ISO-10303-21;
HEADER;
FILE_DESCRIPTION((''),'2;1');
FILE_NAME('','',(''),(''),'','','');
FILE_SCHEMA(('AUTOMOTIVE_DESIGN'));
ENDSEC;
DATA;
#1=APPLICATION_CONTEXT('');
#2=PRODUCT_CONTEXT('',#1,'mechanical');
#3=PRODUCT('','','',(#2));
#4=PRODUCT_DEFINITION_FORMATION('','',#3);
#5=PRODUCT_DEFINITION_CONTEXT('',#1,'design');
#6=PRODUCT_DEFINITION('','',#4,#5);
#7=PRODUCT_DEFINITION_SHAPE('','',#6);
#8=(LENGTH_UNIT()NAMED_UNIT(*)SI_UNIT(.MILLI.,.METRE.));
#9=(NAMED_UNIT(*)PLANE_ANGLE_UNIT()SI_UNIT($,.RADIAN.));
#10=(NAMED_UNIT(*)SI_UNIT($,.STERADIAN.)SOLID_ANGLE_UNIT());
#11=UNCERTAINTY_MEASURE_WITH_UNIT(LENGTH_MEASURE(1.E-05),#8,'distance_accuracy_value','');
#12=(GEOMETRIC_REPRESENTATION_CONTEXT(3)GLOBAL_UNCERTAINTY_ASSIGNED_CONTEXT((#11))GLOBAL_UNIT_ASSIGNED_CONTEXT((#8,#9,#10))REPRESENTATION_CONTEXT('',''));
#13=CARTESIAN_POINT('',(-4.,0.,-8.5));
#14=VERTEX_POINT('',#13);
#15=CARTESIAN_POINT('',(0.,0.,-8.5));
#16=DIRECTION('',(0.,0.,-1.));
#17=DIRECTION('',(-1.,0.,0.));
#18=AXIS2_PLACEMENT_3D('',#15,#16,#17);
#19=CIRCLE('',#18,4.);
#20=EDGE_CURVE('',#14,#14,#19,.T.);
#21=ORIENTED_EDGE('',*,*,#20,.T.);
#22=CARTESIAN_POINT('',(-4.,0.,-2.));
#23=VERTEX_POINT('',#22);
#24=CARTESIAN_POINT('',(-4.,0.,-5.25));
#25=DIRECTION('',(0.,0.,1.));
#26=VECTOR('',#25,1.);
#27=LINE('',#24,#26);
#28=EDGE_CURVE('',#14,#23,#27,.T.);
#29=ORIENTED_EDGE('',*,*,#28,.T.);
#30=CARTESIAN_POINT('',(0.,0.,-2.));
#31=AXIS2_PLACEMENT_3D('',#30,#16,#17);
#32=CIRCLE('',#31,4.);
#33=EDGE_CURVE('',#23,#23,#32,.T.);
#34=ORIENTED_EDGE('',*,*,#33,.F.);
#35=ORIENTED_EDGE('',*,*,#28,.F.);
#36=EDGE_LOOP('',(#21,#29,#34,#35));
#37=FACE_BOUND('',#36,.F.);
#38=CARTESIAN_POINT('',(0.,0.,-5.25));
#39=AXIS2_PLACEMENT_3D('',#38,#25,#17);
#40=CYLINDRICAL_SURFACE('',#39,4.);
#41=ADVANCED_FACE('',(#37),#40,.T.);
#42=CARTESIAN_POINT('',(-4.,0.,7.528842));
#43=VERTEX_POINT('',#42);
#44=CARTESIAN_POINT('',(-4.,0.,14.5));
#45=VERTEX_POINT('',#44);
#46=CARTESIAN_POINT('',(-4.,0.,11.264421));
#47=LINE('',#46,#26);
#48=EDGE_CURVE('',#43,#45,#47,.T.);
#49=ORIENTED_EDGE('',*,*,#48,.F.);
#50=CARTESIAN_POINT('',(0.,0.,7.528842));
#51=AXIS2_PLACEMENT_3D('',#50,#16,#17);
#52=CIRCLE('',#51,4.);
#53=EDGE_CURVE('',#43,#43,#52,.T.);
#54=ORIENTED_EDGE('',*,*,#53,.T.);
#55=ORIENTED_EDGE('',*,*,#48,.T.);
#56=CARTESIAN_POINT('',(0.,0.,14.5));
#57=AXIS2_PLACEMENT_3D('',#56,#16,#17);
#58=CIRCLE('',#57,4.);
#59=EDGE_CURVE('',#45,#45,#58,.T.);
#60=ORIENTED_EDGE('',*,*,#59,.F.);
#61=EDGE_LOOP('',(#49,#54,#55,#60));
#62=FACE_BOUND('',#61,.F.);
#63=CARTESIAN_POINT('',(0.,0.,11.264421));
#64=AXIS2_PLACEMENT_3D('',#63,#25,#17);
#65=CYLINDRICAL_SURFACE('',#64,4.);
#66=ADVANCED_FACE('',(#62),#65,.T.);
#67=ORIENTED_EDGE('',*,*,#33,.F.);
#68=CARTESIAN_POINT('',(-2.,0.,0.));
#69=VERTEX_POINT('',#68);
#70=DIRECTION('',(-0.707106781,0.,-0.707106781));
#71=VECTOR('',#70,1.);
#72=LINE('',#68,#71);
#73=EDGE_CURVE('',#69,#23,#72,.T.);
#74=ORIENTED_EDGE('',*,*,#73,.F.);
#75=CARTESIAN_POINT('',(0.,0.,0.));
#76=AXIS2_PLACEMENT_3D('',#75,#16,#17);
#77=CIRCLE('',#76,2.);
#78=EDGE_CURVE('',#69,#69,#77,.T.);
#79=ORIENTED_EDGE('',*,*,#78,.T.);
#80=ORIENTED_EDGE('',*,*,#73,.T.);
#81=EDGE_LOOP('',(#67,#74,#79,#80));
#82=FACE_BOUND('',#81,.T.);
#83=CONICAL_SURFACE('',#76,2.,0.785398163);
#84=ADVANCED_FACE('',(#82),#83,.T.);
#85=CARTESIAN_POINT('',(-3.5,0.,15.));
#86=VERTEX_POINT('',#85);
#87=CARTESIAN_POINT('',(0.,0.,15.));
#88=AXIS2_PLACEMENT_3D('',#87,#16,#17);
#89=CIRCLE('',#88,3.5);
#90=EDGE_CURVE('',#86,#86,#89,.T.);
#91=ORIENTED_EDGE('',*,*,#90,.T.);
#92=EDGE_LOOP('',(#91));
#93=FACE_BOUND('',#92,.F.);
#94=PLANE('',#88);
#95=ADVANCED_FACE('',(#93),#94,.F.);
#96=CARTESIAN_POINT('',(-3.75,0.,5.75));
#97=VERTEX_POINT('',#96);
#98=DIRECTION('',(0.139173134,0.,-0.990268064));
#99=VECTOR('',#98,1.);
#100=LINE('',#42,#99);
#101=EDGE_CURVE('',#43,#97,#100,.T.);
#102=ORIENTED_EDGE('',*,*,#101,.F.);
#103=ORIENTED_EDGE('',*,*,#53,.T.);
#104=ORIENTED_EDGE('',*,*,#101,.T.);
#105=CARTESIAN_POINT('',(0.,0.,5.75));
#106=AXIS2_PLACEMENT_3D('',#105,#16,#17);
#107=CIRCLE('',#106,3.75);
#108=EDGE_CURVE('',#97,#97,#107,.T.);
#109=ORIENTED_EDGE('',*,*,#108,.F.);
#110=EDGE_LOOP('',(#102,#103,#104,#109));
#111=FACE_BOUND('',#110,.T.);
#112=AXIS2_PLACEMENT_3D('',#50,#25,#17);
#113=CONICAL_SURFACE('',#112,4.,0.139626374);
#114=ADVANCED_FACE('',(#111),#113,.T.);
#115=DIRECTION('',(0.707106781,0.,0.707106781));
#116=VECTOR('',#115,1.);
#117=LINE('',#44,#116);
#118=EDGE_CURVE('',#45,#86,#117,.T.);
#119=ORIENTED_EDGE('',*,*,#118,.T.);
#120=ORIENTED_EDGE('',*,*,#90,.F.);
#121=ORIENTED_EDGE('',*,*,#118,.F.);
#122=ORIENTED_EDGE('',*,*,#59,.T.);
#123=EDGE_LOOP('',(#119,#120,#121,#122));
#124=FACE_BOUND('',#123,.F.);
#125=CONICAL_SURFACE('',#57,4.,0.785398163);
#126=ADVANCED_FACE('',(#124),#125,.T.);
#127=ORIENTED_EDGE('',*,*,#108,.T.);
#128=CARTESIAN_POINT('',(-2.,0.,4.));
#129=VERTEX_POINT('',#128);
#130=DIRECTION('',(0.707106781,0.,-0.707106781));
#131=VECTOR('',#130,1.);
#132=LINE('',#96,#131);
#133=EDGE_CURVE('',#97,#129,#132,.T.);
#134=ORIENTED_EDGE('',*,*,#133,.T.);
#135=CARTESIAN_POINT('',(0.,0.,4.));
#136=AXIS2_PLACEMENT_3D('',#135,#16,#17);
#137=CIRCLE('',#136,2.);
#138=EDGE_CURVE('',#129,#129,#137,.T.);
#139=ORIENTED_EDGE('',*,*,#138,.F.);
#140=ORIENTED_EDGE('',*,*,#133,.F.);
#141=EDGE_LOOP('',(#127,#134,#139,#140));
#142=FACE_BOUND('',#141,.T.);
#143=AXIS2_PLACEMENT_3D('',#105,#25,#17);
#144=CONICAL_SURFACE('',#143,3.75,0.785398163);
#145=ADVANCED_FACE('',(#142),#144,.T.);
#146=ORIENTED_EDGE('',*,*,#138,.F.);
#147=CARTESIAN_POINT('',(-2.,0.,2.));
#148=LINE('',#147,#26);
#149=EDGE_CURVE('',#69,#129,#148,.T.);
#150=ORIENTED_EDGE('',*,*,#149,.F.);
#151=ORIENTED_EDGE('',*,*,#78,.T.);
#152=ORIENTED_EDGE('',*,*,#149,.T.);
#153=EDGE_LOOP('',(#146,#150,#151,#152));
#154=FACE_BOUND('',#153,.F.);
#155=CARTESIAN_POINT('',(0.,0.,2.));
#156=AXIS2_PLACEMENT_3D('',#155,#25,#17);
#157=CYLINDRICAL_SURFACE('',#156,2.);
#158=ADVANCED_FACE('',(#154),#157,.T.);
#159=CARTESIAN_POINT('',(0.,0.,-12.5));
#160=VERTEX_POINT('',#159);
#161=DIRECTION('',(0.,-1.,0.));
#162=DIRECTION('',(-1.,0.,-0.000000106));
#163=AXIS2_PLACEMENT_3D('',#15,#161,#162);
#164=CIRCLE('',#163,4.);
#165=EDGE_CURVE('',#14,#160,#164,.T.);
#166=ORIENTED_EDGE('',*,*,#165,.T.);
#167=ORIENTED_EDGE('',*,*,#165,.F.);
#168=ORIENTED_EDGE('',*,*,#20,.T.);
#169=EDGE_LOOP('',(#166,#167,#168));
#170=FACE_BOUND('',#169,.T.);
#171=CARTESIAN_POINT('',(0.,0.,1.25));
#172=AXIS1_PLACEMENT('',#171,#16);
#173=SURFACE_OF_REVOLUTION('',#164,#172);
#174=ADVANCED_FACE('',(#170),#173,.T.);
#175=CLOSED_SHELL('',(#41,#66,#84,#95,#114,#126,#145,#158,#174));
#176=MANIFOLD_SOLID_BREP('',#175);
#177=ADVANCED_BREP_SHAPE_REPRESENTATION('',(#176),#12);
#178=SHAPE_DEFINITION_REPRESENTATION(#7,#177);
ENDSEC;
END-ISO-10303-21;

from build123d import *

# Parameters (mm, degrees)
F0_W     = 4
F0_H     = 7.471158
F0_W_2   = 2
F0_H_2   = 4
F0_H_3   = 6.5
F2_SIZE2 = 0.5
F2_SIZE  = 0.5


with BuildPart() as f1:
    # F0 (on Front) → F1 (revolve)
    with BuildSketch(Plane.XZ):
        with Locations((-2, 11.264421)):
            Rectangle(F0_W, F0_H)
        Polygon((0, 5.75), (0, 7.528842), (-4, 7.528842), (-3.75, 5.75), align=None)
        Polygon((0, 4), (0, 5.75), (-3.75, 5.75), (-2, 4), align=None)
        with Locations((-1, 2)):
            Rectangle(F0_W_2, F0_H_2)
        Polygon((0, -2), (0, 0), (-2, 0), (-4, -2), align=None)
        with Locations((-2, -5.25)):
            Rectangle(F0_W, F0_H_3)
        with BuildLine():
            Line((0, -12.5), (0, -8.5))
            Line((0, -8.5), (-4, -8.5))
            ThreePointArc((-4, -8.5), (-2.828427, -11.328427), (0, -12.5))
        make_face()
    revolve(axis=Axis((0, 0, 1.25), (0, 0, -1)))

    # F2
    f2_edges = [f1.edges().sort_by_distance(p)[0] for p in [
        (4, 0, 15),
    ]]
    chamfer(f2_edges, length=F2_SIZE, length2=F2_SIZE2)


solid = f1.part
